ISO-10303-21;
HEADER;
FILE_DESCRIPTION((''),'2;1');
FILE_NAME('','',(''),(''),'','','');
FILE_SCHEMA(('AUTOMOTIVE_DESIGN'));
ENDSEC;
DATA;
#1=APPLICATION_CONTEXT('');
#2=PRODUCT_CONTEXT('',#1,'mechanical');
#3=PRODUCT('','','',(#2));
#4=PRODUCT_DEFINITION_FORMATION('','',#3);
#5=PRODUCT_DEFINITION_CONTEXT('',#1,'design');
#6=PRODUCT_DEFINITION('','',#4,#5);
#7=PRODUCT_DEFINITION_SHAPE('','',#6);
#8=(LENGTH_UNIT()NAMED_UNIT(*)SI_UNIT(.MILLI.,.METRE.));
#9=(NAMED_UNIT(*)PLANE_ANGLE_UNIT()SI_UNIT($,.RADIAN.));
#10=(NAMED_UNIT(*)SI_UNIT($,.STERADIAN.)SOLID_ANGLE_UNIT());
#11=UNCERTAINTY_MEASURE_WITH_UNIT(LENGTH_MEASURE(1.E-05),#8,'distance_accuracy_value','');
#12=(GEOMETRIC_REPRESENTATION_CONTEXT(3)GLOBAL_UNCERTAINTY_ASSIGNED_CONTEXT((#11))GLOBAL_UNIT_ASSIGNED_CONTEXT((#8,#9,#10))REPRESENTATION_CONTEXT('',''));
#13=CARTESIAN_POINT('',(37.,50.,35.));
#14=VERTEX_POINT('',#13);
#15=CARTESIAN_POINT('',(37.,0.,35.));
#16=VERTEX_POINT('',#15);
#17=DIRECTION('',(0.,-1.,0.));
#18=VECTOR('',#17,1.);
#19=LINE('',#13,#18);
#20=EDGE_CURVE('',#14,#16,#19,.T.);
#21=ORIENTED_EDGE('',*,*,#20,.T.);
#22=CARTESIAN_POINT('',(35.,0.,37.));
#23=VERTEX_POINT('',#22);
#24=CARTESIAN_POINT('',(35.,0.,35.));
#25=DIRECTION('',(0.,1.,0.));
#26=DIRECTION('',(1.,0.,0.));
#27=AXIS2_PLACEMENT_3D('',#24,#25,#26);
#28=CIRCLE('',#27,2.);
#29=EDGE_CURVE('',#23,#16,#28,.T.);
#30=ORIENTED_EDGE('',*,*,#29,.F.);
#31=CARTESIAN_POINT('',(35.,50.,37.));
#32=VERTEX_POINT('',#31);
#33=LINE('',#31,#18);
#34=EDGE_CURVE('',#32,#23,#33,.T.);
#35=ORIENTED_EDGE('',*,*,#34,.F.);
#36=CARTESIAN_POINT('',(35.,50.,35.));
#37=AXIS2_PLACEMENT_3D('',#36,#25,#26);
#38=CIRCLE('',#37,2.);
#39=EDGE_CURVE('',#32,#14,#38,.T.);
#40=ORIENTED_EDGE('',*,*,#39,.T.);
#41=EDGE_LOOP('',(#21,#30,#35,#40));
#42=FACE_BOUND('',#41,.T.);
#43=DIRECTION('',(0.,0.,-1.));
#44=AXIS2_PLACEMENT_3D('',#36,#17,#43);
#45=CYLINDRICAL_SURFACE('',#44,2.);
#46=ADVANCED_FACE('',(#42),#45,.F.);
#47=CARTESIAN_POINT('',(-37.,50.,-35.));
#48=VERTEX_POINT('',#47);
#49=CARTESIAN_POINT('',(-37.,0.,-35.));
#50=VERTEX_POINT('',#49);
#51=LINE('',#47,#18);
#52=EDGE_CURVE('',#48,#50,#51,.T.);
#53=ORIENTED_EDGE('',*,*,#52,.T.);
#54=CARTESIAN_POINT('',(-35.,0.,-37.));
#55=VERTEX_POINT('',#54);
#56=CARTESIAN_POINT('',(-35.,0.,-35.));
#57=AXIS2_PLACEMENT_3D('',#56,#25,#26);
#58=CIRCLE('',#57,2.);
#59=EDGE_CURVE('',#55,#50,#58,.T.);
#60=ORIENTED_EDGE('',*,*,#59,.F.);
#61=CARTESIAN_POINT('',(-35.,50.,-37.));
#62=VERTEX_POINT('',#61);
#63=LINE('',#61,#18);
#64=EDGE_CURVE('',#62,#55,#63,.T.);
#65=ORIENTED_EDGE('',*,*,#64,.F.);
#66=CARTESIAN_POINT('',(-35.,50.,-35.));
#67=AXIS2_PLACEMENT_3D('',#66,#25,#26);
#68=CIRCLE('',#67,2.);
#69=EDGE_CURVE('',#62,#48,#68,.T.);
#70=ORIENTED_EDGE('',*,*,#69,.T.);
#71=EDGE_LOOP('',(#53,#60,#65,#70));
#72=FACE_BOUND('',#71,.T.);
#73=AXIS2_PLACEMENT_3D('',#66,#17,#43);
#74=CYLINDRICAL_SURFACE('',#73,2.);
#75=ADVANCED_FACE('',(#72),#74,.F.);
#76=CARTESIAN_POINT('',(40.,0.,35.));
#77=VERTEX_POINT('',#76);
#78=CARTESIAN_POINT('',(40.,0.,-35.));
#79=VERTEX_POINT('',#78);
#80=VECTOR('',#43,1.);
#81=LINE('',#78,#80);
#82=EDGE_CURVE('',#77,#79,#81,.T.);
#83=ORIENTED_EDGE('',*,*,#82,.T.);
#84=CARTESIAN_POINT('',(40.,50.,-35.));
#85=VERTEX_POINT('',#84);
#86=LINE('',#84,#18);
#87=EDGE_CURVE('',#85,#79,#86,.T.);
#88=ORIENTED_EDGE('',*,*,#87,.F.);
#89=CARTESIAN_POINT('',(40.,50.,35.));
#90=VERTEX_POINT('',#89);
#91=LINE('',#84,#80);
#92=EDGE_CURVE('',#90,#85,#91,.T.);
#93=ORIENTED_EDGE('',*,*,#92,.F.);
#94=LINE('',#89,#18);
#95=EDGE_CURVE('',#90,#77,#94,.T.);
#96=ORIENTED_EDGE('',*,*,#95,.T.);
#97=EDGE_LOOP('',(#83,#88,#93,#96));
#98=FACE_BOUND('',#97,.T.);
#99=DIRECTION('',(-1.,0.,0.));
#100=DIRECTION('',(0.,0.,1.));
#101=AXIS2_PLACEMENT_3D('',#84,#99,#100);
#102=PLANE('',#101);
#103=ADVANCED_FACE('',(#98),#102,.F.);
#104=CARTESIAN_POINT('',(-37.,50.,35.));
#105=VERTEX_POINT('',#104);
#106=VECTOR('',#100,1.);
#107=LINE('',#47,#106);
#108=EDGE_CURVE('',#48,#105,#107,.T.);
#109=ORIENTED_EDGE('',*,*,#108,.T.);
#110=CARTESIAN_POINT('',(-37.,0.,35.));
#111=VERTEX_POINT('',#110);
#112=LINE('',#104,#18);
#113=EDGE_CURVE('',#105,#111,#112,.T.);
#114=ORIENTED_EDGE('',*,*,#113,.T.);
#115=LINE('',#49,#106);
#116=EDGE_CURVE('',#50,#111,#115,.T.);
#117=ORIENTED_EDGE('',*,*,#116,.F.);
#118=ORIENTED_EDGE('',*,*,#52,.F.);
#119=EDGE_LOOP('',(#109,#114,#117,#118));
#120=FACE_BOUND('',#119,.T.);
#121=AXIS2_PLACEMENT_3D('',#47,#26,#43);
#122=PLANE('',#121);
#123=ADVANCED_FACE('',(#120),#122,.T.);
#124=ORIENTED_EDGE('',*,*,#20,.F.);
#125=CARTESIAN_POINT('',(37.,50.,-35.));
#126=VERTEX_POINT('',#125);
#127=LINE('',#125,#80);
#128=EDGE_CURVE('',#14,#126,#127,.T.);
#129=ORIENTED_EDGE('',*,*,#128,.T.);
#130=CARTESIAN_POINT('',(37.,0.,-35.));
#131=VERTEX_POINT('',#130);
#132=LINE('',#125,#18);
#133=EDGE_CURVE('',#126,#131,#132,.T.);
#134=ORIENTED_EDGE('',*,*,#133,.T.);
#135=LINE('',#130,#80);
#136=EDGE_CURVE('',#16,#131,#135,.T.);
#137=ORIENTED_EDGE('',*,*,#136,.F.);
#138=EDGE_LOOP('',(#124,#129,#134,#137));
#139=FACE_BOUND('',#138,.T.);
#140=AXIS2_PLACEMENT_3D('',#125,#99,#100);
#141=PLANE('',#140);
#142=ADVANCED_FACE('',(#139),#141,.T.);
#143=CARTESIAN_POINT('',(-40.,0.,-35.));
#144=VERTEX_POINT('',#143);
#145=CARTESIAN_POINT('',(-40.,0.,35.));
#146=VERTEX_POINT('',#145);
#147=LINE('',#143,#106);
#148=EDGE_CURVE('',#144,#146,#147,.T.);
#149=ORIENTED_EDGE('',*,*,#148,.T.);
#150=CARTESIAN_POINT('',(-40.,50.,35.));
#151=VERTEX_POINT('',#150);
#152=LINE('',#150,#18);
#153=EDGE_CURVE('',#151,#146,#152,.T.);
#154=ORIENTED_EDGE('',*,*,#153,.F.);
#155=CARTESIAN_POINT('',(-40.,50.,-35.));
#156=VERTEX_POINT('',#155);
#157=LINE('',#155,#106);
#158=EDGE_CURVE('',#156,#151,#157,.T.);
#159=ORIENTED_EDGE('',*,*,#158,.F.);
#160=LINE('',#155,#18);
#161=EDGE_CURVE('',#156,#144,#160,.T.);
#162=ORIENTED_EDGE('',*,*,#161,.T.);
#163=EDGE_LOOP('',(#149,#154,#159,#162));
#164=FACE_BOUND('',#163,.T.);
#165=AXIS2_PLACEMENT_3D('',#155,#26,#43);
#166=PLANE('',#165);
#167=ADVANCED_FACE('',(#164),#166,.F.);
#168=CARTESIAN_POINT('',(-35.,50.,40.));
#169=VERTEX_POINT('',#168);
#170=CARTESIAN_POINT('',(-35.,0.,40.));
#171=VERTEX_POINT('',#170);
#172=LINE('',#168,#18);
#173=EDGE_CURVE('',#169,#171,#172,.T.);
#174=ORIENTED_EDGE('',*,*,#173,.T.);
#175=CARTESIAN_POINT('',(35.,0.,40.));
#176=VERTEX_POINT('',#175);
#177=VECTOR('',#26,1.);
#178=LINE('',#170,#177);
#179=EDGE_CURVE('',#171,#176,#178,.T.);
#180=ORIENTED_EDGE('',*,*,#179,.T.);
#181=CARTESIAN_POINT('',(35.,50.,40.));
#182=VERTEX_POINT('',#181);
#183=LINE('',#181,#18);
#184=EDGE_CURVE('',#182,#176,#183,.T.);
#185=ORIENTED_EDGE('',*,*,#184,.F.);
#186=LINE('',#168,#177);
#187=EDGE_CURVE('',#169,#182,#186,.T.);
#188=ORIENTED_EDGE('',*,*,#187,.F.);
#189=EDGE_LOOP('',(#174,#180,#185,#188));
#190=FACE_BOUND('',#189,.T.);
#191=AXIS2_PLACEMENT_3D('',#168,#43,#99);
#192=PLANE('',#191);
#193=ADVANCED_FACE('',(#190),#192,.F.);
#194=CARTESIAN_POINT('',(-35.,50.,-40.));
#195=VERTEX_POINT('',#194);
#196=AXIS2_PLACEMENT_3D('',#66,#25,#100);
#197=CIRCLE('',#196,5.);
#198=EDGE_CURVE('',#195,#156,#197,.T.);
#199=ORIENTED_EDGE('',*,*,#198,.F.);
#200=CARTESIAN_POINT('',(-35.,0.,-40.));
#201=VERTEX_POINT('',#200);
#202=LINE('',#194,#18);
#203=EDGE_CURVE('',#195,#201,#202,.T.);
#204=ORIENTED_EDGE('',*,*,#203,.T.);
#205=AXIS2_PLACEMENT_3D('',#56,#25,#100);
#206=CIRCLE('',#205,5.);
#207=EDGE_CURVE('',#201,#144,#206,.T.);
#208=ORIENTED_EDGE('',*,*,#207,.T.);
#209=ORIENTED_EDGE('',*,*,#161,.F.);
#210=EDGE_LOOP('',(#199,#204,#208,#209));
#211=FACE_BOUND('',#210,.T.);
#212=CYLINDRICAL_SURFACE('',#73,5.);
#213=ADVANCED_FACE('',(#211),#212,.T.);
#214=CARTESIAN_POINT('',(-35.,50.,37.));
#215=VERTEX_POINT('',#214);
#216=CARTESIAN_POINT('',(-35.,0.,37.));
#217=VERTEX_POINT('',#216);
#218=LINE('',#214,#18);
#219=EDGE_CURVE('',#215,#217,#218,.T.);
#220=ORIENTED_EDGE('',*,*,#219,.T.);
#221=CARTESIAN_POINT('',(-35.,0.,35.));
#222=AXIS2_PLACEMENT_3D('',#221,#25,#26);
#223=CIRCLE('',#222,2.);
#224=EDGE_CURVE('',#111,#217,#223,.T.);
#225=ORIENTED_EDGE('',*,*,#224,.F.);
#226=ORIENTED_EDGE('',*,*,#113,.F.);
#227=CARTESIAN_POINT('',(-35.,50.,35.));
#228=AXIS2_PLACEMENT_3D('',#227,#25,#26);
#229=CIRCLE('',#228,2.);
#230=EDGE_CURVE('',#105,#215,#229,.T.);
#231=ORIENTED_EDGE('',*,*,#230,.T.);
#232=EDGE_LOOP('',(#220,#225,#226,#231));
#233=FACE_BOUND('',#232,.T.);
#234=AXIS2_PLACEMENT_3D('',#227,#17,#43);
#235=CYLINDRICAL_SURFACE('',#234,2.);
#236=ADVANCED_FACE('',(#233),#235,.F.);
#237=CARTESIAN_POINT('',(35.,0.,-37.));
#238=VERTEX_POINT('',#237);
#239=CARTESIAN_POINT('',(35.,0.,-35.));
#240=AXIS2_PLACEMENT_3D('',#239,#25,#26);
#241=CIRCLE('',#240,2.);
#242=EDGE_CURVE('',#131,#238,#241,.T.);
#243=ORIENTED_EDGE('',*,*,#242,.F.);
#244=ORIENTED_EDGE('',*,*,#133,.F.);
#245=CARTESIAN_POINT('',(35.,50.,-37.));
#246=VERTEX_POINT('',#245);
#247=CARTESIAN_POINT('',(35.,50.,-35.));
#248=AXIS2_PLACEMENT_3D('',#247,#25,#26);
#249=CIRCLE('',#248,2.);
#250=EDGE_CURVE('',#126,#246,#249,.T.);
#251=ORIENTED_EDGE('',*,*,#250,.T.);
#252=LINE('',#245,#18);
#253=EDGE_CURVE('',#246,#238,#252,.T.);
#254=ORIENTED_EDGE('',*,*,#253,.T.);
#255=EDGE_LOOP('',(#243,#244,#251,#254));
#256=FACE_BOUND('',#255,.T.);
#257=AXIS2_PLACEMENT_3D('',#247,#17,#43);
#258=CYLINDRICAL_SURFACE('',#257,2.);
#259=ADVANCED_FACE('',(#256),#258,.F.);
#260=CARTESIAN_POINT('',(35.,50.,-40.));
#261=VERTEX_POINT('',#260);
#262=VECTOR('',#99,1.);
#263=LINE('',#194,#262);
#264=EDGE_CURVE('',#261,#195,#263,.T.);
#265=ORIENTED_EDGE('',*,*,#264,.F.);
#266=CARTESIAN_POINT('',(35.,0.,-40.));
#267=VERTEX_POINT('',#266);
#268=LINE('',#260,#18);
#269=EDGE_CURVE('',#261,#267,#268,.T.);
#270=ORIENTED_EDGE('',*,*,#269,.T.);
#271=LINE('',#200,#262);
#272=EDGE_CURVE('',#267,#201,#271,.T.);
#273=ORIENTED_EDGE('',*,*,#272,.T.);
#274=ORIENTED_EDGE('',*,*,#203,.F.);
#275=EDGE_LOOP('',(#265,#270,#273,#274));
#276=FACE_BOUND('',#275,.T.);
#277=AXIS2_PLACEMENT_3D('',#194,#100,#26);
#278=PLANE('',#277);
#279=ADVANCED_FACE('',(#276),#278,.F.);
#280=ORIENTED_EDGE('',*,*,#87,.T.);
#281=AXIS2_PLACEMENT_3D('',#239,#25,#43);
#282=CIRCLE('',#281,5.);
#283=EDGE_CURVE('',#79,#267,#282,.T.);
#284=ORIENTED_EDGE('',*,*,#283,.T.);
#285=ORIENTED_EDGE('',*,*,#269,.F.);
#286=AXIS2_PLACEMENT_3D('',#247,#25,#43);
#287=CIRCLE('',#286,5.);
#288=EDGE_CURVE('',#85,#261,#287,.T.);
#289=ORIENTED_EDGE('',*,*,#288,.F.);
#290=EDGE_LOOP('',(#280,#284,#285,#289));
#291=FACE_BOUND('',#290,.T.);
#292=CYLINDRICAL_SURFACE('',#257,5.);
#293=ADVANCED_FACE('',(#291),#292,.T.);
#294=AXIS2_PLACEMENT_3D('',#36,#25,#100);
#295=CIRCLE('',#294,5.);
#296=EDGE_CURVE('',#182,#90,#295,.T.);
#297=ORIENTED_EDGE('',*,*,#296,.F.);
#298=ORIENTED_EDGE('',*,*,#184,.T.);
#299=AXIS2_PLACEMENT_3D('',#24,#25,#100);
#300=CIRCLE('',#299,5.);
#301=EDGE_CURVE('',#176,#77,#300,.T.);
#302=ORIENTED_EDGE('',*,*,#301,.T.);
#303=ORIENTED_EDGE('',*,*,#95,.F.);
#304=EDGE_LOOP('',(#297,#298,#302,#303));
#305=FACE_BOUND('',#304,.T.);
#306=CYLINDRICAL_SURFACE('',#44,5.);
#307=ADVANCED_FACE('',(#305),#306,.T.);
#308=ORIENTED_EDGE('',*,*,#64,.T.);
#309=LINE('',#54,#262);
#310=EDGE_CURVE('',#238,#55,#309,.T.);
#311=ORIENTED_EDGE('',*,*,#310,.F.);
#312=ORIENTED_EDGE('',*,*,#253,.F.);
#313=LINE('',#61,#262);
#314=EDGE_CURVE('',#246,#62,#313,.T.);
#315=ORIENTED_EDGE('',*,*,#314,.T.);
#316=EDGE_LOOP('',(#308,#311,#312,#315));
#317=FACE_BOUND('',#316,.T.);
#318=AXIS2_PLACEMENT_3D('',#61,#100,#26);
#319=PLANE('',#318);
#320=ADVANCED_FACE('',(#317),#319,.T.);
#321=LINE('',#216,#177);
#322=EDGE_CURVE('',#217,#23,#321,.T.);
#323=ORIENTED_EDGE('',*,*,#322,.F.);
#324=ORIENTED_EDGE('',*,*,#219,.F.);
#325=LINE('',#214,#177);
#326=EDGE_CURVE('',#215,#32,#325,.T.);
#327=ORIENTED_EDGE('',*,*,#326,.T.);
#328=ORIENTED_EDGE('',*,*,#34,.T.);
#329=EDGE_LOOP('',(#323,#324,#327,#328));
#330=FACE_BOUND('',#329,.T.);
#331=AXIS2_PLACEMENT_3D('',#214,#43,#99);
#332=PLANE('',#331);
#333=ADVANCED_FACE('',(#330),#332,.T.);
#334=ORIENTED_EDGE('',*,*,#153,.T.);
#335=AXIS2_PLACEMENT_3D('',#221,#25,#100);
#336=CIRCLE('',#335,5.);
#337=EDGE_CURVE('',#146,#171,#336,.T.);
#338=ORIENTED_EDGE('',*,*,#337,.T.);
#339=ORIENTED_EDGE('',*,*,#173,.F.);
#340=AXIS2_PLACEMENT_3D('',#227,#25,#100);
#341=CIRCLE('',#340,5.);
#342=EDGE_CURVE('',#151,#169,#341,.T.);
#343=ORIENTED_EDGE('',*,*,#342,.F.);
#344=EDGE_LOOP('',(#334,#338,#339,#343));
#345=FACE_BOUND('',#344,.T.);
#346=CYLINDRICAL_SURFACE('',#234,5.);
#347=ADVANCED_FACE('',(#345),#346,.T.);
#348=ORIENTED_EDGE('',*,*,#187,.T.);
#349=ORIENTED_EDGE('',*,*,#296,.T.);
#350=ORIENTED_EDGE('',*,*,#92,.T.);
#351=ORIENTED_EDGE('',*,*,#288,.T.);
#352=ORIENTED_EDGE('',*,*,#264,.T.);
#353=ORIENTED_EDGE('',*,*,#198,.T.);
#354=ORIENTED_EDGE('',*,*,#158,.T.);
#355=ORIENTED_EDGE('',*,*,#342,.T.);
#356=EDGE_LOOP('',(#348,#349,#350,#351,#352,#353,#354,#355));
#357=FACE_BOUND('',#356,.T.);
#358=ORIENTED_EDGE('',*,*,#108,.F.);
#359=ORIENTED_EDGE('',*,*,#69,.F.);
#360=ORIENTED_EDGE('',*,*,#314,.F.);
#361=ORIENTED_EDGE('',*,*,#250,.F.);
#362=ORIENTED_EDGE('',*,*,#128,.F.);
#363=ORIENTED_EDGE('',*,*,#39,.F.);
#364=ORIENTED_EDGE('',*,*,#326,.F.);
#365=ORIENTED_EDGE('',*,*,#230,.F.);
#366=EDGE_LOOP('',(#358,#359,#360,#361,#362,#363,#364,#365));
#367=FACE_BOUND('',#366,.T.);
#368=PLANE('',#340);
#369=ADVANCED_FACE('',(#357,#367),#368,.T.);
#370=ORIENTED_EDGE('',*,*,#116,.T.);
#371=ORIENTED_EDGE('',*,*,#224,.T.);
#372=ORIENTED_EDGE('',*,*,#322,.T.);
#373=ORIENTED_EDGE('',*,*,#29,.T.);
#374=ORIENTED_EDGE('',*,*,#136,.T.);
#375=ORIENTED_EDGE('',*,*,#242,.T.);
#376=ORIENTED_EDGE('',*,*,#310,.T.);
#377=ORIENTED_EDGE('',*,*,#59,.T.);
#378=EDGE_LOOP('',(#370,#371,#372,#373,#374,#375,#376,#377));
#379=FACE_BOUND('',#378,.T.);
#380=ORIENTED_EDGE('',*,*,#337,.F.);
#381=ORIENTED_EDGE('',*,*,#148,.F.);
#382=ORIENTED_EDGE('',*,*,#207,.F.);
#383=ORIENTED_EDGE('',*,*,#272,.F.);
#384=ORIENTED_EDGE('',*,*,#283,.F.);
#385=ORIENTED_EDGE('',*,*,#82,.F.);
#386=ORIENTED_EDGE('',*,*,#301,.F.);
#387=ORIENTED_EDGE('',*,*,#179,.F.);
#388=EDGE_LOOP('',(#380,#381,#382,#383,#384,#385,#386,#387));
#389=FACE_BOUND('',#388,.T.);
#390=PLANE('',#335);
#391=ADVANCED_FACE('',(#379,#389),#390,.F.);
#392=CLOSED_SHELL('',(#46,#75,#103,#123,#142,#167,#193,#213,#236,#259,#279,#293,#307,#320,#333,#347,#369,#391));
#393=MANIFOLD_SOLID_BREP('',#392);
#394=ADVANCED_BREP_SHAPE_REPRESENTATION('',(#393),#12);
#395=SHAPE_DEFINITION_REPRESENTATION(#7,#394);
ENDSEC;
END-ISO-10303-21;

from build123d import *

# Parameters (mm, degrees)
EXTRUDE_1_DEPTH = 50


with BuildPart() as part:
    # Эскиз1 → Вытянуть-Тонкостенный1 (new body)
    with BuildSketch(Plane(origin=(0, 0, 0), x_dir=(1, 0, 0), z_dir=(0, 1, 0))):
        with BuildLine():
            Line((-35, 40), (35, 40))
            ThreePointArc((35, 40), (38.535533906, 38.535533906), (40, 35))
            Line((40, 35), (40, -35))
            ThreePointArc((40, -35), (38.535533906, -38.535533906), (35, -40))
            Line((35, -40), (-35, -40))
            ThreePointArc((-35, -40), (-38.535533906, -38.535533906), (-40, -35))
            Line((-40, -35), (-40, 35))
            ThreePointArc((-40, 35), (-38.535533906, 38.535533906), (-35, 40))
        make_face()
        with BuildLine():
            Line((-35, 37), (35, 37))
            ThreePointArc((35, 37), (36.414213562, 36.414213562), (37, 35))
            Line((37, 35), (37, -35))
            ThreePointArc((37, -35), (36.414213562, -36.414213562), (35, -37))
            Line((35, -37), (-35, -37))
            ThreePointArc((-35, -37), (-36.414213562, -36.414213562), (-37, -35))
            Line((-37, -35), (-37, 35))
            ThreePointArc((-37, 35), (-36.414213562, 36.414213562), (-35, 37))
        make_face(mode=Mode.SUBTRACT)
    extrude(amount=EXTRUDE_1_DEPTH)


solid = part.part
